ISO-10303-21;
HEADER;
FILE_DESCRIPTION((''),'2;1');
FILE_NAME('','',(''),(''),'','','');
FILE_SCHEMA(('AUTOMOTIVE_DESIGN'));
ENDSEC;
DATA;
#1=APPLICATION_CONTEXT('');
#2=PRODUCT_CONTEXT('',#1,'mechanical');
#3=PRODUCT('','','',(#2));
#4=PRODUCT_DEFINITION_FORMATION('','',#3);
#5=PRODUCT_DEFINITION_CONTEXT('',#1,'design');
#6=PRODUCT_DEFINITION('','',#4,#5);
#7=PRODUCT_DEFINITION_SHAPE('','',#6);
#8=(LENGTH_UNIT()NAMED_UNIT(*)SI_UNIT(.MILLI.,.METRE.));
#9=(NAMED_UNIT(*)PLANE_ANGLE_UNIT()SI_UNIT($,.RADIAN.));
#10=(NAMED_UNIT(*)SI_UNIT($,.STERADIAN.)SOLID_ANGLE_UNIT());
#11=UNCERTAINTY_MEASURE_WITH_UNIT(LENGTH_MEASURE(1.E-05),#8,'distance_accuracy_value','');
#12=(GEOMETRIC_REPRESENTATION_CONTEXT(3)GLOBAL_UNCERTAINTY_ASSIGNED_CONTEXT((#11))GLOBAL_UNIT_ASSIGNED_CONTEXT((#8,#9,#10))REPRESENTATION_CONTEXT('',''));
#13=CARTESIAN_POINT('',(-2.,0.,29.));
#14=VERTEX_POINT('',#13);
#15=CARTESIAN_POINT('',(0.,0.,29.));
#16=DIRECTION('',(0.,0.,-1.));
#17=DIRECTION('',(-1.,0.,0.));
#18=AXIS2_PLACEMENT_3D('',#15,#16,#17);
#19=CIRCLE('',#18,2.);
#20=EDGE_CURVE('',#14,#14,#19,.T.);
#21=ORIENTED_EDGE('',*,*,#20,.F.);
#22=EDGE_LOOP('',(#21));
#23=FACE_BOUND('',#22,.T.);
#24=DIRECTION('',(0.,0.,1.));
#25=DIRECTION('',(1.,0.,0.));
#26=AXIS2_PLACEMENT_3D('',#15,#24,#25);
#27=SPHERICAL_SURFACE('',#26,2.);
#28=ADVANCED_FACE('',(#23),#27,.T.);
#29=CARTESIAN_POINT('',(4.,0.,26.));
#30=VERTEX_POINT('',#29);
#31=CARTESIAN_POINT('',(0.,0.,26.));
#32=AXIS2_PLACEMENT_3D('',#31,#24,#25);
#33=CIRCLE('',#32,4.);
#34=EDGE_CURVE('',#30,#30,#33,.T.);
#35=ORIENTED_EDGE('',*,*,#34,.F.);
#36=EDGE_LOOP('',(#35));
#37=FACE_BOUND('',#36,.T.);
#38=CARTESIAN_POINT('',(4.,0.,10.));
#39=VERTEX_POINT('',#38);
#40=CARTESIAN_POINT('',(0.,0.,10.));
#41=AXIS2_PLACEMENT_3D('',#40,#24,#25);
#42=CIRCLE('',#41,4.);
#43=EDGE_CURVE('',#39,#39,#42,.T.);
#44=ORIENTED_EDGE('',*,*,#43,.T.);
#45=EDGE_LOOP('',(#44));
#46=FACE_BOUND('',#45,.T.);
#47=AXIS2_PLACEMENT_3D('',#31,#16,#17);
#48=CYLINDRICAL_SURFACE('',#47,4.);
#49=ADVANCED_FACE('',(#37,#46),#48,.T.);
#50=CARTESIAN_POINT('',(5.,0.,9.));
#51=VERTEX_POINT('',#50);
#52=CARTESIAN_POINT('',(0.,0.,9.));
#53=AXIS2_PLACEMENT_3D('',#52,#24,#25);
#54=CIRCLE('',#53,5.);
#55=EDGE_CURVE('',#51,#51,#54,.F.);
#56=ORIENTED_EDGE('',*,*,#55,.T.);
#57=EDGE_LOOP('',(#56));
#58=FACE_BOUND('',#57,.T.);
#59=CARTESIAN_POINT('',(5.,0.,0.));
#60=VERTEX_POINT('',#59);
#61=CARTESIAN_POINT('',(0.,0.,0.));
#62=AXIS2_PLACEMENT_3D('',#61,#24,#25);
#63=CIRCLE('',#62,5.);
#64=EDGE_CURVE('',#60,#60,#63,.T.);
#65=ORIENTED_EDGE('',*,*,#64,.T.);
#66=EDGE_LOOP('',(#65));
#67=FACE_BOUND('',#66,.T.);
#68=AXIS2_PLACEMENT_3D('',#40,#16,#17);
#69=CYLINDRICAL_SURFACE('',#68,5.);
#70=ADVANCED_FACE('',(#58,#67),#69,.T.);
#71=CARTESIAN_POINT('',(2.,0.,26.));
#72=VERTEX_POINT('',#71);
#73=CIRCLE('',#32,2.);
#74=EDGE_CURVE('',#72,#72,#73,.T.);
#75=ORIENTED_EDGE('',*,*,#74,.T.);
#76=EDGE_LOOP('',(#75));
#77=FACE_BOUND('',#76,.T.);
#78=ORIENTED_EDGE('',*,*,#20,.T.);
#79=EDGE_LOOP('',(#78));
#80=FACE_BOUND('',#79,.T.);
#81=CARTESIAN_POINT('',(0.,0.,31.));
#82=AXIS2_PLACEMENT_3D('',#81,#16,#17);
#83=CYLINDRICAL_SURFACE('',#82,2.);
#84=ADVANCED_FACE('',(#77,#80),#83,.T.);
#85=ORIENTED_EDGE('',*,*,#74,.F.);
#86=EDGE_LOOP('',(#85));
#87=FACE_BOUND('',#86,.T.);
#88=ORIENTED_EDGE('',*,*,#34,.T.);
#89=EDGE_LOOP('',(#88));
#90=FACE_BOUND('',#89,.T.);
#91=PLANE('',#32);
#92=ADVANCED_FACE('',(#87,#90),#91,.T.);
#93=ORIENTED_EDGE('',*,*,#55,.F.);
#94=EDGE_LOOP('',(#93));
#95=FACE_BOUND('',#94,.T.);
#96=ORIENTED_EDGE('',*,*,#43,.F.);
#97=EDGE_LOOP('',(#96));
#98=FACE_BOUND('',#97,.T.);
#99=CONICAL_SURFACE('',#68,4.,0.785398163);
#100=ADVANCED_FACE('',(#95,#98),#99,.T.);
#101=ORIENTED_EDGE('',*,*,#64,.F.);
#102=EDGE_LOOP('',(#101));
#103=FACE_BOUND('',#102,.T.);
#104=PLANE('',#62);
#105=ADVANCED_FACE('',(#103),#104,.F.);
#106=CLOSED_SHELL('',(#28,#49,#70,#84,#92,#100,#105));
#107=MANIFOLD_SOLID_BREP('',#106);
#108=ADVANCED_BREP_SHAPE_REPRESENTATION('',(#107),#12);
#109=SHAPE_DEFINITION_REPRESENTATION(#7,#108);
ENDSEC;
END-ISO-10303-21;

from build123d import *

# Parameters (mm, degrees)
SKETCH_1_R      = 5
EXTRUDE_1_DEPTH = 10
CHAMFER_1_SIZE  = 1
SKETCH_2_R      = 4
EXTRUDE_2_DEPTH = 16
SKETCH_3_R      = 2
EXTRUDE_3_DEPTH = 5
FILLET_1_R      = 2


with BuildPart() as part:
    # Эскиз1 → Бобышка-Вытянуть1 (new body)
    with BuildSketch(Plane.XY):
        Circle(SKETCH_1_R)
    extrude(amount=EXTRUDE_1_DEPTH)

    # Фаска1
    chamfer_1_edges = [part.edges().sort_by_distance(p)[0] for p in [
        (-5, 0, 10),
    ]]
    chamfer(chamfer_1_edges, length=CHAMFER_1_SIZE)

    # Эскиз2 → Бобышка-Вытянуть2 (add)
    with BuildSketch(Plane.XY.offset(10)):
        Circle(SKETCH_2_R)
    extrude(amount=EXTRUDE_2_DEPTH)

    # Эскиз3 → Бобышка-Вытянуть3 (add)
    with BuildSketch(Plane.XY.offset(26)):
        Circle(SKETCH_3_R)
    extrude(amount=EXTRUDE_3_DEPTH)

    # Скругление1
    fillet_1_edges = [part.edges().sort_by_distance(p)[0] for p in [
        (-2, 0, 31),
    ]]
    fillet(fillet_1_edges, radius=FILLET_1_R)


solid = part.part
